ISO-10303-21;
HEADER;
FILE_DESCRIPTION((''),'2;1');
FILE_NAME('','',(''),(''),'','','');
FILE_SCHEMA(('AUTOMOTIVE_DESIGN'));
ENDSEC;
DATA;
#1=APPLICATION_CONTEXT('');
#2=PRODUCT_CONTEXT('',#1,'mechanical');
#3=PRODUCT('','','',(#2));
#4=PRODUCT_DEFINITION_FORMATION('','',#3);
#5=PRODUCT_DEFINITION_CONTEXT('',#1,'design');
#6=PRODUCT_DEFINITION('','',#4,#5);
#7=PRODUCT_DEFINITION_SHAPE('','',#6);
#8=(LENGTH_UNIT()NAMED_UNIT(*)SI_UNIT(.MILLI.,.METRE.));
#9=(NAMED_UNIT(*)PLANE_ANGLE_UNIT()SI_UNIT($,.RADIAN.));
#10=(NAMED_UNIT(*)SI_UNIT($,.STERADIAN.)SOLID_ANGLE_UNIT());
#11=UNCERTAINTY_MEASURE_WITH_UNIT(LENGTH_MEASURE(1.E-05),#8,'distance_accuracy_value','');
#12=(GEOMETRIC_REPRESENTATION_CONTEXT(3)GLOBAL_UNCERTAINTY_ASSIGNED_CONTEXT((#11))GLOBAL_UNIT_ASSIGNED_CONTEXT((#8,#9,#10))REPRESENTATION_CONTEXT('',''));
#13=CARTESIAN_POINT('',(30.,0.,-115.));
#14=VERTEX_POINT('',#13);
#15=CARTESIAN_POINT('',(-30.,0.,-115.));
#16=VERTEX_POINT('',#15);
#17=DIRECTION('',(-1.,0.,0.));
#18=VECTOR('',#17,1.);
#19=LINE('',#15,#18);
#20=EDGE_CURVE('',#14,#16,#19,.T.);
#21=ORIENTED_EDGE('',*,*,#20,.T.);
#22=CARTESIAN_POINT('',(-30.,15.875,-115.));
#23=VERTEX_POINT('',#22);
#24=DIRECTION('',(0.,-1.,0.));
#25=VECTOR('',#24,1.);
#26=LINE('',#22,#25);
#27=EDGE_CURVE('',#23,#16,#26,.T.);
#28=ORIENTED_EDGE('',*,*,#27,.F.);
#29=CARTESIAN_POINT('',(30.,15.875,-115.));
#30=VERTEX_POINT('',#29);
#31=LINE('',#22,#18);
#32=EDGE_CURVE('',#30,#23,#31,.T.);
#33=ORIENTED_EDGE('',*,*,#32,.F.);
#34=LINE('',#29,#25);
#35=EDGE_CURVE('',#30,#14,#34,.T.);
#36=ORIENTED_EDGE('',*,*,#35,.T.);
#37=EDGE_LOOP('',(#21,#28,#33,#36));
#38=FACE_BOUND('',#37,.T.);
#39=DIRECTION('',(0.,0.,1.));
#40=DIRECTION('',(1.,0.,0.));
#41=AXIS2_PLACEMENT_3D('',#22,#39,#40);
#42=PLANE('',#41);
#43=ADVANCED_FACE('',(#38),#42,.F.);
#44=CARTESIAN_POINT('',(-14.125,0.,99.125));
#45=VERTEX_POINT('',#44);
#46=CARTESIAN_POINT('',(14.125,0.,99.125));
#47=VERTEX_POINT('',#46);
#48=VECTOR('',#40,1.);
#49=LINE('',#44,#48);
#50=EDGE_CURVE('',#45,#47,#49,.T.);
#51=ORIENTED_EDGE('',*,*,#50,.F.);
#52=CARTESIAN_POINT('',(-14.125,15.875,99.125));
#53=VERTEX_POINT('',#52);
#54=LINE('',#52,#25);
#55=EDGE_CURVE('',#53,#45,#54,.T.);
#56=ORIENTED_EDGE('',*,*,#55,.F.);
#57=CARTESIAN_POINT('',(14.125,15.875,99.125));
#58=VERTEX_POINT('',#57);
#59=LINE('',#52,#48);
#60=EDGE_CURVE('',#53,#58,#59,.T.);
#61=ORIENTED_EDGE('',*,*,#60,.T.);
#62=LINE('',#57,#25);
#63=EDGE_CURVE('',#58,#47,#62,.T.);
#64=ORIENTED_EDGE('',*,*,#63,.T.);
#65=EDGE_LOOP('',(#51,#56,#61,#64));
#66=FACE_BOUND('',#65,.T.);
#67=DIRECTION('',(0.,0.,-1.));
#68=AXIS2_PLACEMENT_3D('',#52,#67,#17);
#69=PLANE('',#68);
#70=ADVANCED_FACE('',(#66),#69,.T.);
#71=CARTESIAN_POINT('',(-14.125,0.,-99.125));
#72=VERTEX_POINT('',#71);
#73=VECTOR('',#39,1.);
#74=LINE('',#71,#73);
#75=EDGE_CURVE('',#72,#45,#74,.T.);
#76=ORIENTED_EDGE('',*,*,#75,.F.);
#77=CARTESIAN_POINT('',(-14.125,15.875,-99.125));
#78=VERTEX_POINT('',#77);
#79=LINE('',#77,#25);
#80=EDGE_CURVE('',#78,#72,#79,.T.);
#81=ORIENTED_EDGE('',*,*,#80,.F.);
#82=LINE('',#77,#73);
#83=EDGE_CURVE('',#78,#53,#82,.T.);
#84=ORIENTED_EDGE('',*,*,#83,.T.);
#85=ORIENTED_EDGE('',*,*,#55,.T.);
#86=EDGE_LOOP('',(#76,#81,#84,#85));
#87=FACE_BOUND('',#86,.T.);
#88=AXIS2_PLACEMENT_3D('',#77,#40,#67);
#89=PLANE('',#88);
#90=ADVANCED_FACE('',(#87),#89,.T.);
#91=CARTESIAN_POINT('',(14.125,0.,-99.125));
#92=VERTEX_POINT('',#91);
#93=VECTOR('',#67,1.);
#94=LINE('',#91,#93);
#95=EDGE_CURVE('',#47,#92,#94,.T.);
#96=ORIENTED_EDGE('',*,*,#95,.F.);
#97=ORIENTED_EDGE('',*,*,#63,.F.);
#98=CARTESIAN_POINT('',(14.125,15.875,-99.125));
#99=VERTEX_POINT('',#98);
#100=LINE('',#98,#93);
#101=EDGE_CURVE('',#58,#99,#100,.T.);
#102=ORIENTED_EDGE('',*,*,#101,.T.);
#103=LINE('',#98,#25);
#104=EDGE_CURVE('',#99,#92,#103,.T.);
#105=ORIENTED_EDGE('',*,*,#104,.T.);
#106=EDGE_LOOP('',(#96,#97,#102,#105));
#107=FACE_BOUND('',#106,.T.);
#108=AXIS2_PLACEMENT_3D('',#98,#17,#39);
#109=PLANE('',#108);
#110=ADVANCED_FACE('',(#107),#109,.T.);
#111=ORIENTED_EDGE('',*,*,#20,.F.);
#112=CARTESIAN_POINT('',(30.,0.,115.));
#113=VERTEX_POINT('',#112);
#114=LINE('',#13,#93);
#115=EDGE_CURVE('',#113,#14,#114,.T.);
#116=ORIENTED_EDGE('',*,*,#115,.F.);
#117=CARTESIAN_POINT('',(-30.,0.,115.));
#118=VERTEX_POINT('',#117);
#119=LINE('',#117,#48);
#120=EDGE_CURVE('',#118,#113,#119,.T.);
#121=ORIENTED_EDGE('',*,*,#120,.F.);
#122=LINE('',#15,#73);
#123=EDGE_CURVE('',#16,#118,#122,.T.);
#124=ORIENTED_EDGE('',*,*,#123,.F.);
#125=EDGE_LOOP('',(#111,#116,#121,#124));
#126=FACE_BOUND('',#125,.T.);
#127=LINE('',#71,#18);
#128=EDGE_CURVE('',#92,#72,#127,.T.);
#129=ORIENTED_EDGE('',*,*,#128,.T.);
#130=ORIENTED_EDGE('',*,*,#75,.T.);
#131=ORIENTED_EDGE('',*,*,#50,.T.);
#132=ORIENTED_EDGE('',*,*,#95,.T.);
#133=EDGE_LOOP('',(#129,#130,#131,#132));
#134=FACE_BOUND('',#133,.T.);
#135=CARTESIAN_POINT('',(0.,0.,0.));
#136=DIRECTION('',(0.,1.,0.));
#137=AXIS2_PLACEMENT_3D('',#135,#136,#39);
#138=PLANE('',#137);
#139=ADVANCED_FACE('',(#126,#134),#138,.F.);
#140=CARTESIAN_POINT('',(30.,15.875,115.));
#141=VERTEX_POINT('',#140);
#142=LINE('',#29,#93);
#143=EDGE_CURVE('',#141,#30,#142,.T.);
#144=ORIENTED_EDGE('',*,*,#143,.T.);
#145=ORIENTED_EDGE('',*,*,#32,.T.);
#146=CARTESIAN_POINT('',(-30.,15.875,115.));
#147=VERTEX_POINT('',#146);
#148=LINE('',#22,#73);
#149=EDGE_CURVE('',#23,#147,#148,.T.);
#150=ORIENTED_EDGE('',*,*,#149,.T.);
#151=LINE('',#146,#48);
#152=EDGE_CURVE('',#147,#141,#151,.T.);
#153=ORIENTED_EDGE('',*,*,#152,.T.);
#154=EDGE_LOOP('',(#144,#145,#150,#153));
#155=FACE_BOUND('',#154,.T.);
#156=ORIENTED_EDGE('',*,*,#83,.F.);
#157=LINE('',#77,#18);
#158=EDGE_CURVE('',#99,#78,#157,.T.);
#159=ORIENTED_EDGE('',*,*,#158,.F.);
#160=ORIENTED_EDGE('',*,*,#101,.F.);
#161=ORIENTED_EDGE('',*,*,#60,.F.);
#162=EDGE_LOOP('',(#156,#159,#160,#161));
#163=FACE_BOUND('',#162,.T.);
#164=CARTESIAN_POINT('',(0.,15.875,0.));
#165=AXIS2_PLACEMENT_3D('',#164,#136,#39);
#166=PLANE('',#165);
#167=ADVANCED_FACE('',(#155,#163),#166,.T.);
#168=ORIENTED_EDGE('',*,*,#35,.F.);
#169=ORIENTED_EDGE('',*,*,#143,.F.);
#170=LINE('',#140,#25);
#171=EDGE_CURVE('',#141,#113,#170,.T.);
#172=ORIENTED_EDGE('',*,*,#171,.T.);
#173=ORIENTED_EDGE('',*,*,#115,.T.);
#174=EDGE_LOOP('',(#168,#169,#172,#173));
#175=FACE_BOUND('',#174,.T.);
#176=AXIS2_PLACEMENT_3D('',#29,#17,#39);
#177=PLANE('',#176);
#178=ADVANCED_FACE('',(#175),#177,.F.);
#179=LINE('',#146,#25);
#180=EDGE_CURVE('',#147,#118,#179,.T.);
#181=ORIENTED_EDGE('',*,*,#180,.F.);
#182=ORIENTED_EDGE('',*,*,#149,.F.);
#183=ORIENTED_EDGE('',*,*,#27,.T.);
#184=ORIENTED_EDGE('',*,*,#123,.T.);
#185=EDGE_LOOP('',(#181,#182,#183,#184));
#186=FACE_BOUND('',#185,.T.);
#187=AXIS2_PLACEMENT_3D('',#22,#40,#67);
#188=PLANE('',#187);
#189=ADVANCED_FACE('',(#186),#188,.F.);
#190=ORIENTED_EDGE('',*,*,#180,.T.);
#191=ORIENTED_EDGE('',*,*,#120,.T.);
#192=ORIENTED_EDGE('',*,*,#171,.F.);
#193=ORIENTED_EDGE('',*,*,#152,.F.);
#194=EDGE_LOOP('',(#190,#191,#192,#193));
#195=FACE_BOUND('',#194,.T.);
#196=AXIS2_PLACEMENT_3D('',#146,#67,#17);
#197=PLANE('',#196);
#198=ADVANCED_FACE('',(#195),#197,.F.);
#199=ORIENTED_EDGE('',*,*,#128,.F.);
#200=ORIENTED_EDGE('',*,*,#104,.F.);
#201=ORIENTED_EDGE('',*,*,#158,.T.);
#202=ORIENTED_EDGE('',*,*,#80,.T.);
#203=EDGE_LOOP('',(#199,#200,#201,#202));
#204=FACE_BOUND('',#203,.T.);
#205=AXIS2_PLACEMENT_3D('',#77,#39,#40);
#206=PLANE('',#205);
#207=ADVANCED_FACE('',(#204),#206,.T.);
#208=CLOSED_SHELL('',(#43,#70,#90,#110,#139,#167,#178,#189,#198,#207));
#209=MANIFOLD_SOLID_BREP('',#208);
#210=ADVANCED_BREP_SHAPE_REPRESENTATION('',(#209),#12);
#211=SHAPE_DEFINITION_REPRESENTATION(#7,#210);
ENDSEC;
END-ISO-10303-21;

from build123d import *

# Parameters (mm, degrees)
SKETCH1_W           = 60
SKETCH1_H           = 230
SKETCH1_W_2         = 28.25
SKETCH1_H_2         = 198.25
BOSS_EXTRUDE1_DEPTH = 15.875


with BuildPart() as part:
    # Sketch1 → Boss-Extrude1 (new body)
    with BuildSketch(Plane(origin=(0, 0, 0), x_dir=(1, 0, 0), z_dir=(0, 1, 0))):
        Rectangle(SKETCH1_W, SKETCH1_H)
        Rectangle(SKETCH1_W_2, SKETCH1_H_2, mode=Mode.SUBTRACT)
    extrude(amount=BOSS_EXTRUDE1_DEPTH)


solid = part.part
